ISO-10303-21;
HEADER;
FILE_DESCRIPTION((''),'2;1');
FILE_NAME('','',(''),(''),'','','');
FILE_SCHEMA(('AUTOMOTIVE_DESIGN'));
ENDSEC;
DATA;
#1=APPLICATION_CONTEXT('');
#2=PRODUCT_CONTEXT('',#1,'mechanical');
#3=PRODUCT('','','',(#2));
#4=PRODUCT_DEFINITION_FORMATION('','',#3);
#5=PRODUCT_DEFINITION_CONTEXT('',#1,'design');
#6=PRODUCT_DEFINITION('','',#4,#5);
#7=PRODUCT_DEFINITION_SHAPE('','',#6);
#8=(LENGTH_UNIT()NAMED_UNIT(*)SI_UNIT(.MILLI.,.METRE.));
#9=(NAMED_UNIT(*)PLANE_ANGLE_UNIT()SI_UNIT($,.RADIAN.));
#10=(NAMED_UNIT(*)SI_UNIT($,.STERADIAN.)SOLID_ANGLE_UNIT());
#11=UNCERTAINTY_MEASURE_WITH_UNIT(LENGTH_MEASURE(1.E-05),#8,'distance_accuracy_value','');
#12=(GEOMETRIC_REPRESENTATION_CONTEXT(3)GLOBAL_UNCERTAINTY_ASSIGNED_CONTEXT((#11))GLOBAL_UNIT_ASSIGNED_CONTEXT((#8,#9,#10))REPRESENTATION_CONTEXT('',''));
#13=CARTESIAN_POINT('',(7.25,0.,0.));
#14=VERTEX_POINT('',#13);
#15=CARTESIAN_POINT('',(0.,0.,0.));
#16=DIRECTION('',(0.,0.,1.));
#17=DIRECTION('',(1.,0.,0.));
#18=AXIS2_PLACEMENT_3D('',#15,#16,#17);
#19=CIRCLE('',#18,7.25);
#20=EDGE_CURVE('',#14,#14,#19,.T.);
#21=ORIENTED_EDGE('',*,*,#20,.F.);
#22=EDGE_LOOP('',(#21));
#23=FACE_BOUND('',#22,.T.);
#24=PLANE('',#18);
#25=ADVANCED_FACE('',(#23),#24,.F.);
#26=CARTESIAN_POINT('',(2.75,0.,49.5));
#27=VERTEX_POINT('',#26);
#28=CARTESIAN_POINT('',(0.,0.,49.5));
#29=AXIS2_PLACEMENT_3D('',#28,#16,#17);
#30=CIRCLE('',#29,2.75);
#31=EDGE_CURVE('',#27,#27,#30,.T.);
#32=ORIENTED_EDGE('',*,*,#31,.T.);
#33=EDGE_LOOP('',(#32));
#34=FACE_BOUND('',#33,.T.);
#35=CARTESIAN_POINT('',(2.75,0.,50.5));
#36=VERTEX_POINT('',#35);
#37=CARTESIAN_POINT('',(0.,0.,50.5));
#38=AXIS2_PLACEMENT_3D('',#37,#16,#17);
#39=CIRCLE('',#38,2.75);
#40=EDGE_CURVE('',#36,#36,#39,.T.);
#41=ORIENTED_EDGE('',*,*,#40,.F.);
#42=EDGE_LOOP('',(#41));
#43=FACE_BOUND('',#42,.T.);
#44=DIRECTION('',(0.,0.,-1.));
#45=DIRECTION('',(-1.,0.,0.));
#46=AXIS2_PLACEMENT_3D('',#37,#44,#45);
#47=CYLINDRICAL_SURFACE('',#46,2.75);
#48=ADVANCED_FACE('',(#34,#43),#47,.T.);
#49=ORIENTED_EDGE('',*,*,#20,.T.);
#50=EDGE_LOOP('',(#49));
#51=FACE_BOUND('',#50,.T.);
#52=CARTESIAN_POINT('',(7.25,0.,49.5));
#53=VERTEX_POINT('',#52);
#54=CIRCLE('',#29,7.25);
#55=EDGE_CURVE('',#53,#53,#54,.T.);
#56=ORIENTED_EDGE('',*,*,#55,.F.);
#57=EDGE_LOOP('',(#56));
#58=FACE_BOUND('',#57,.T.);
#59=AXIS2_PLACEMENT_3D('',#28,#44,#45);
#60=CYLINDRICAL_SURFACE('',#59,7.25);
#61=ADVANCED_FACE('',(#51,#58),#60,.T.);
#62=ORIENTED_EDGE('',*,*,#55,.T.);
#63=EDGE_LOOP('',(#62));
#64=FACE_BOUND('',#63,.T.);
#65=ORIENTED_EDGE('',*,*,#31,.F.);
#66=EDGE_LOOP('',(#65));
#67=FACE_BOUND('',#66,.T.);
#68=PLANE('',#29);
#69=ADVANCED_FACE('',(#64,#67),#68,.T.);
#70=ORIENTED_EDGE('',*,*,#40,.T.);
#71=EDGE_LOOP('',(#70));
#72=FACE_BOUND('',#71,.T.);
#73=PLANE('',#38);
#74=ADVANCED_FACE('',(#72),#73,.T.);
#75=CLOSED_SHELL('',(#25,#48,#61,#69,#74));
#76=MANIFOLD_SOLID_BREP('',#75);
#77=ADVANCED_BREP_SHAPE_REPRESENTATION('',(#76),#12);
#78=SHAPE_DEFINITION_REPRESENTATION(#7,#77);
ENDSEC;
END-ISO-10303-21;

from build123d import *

# Parameters (mm, degrees)
SKETCH1_R           = 7.25
SKETCH1_R_2         = 2.75
BOSS_EXTRUDE1_DEPTH = 49.5
SKETCH1_2_R         = 2.75
BOSS_EXTRUDE2_DEPTH = 50.5


with BuildPart() as part:
    # Sketch1 → Boss-Extrude1 (new body)
    with BuildSketch(Plane.XY):
        Circle(SKETCH1_R)
        Circle(SKETCH1_R_2, mode=Mode.SUBTRACT)
    extrude(amount=BOSS_EXTRUDE1_DEPTH)

    # Sketch1<2> → Boss-Extrude2 (add)
    with BuildSketch(Plane.XY):
        Circle(SKETCH1_2_R)
    extrude(amount=BOSS_EXTRUDE2_DEPTH)


solid = part.part
